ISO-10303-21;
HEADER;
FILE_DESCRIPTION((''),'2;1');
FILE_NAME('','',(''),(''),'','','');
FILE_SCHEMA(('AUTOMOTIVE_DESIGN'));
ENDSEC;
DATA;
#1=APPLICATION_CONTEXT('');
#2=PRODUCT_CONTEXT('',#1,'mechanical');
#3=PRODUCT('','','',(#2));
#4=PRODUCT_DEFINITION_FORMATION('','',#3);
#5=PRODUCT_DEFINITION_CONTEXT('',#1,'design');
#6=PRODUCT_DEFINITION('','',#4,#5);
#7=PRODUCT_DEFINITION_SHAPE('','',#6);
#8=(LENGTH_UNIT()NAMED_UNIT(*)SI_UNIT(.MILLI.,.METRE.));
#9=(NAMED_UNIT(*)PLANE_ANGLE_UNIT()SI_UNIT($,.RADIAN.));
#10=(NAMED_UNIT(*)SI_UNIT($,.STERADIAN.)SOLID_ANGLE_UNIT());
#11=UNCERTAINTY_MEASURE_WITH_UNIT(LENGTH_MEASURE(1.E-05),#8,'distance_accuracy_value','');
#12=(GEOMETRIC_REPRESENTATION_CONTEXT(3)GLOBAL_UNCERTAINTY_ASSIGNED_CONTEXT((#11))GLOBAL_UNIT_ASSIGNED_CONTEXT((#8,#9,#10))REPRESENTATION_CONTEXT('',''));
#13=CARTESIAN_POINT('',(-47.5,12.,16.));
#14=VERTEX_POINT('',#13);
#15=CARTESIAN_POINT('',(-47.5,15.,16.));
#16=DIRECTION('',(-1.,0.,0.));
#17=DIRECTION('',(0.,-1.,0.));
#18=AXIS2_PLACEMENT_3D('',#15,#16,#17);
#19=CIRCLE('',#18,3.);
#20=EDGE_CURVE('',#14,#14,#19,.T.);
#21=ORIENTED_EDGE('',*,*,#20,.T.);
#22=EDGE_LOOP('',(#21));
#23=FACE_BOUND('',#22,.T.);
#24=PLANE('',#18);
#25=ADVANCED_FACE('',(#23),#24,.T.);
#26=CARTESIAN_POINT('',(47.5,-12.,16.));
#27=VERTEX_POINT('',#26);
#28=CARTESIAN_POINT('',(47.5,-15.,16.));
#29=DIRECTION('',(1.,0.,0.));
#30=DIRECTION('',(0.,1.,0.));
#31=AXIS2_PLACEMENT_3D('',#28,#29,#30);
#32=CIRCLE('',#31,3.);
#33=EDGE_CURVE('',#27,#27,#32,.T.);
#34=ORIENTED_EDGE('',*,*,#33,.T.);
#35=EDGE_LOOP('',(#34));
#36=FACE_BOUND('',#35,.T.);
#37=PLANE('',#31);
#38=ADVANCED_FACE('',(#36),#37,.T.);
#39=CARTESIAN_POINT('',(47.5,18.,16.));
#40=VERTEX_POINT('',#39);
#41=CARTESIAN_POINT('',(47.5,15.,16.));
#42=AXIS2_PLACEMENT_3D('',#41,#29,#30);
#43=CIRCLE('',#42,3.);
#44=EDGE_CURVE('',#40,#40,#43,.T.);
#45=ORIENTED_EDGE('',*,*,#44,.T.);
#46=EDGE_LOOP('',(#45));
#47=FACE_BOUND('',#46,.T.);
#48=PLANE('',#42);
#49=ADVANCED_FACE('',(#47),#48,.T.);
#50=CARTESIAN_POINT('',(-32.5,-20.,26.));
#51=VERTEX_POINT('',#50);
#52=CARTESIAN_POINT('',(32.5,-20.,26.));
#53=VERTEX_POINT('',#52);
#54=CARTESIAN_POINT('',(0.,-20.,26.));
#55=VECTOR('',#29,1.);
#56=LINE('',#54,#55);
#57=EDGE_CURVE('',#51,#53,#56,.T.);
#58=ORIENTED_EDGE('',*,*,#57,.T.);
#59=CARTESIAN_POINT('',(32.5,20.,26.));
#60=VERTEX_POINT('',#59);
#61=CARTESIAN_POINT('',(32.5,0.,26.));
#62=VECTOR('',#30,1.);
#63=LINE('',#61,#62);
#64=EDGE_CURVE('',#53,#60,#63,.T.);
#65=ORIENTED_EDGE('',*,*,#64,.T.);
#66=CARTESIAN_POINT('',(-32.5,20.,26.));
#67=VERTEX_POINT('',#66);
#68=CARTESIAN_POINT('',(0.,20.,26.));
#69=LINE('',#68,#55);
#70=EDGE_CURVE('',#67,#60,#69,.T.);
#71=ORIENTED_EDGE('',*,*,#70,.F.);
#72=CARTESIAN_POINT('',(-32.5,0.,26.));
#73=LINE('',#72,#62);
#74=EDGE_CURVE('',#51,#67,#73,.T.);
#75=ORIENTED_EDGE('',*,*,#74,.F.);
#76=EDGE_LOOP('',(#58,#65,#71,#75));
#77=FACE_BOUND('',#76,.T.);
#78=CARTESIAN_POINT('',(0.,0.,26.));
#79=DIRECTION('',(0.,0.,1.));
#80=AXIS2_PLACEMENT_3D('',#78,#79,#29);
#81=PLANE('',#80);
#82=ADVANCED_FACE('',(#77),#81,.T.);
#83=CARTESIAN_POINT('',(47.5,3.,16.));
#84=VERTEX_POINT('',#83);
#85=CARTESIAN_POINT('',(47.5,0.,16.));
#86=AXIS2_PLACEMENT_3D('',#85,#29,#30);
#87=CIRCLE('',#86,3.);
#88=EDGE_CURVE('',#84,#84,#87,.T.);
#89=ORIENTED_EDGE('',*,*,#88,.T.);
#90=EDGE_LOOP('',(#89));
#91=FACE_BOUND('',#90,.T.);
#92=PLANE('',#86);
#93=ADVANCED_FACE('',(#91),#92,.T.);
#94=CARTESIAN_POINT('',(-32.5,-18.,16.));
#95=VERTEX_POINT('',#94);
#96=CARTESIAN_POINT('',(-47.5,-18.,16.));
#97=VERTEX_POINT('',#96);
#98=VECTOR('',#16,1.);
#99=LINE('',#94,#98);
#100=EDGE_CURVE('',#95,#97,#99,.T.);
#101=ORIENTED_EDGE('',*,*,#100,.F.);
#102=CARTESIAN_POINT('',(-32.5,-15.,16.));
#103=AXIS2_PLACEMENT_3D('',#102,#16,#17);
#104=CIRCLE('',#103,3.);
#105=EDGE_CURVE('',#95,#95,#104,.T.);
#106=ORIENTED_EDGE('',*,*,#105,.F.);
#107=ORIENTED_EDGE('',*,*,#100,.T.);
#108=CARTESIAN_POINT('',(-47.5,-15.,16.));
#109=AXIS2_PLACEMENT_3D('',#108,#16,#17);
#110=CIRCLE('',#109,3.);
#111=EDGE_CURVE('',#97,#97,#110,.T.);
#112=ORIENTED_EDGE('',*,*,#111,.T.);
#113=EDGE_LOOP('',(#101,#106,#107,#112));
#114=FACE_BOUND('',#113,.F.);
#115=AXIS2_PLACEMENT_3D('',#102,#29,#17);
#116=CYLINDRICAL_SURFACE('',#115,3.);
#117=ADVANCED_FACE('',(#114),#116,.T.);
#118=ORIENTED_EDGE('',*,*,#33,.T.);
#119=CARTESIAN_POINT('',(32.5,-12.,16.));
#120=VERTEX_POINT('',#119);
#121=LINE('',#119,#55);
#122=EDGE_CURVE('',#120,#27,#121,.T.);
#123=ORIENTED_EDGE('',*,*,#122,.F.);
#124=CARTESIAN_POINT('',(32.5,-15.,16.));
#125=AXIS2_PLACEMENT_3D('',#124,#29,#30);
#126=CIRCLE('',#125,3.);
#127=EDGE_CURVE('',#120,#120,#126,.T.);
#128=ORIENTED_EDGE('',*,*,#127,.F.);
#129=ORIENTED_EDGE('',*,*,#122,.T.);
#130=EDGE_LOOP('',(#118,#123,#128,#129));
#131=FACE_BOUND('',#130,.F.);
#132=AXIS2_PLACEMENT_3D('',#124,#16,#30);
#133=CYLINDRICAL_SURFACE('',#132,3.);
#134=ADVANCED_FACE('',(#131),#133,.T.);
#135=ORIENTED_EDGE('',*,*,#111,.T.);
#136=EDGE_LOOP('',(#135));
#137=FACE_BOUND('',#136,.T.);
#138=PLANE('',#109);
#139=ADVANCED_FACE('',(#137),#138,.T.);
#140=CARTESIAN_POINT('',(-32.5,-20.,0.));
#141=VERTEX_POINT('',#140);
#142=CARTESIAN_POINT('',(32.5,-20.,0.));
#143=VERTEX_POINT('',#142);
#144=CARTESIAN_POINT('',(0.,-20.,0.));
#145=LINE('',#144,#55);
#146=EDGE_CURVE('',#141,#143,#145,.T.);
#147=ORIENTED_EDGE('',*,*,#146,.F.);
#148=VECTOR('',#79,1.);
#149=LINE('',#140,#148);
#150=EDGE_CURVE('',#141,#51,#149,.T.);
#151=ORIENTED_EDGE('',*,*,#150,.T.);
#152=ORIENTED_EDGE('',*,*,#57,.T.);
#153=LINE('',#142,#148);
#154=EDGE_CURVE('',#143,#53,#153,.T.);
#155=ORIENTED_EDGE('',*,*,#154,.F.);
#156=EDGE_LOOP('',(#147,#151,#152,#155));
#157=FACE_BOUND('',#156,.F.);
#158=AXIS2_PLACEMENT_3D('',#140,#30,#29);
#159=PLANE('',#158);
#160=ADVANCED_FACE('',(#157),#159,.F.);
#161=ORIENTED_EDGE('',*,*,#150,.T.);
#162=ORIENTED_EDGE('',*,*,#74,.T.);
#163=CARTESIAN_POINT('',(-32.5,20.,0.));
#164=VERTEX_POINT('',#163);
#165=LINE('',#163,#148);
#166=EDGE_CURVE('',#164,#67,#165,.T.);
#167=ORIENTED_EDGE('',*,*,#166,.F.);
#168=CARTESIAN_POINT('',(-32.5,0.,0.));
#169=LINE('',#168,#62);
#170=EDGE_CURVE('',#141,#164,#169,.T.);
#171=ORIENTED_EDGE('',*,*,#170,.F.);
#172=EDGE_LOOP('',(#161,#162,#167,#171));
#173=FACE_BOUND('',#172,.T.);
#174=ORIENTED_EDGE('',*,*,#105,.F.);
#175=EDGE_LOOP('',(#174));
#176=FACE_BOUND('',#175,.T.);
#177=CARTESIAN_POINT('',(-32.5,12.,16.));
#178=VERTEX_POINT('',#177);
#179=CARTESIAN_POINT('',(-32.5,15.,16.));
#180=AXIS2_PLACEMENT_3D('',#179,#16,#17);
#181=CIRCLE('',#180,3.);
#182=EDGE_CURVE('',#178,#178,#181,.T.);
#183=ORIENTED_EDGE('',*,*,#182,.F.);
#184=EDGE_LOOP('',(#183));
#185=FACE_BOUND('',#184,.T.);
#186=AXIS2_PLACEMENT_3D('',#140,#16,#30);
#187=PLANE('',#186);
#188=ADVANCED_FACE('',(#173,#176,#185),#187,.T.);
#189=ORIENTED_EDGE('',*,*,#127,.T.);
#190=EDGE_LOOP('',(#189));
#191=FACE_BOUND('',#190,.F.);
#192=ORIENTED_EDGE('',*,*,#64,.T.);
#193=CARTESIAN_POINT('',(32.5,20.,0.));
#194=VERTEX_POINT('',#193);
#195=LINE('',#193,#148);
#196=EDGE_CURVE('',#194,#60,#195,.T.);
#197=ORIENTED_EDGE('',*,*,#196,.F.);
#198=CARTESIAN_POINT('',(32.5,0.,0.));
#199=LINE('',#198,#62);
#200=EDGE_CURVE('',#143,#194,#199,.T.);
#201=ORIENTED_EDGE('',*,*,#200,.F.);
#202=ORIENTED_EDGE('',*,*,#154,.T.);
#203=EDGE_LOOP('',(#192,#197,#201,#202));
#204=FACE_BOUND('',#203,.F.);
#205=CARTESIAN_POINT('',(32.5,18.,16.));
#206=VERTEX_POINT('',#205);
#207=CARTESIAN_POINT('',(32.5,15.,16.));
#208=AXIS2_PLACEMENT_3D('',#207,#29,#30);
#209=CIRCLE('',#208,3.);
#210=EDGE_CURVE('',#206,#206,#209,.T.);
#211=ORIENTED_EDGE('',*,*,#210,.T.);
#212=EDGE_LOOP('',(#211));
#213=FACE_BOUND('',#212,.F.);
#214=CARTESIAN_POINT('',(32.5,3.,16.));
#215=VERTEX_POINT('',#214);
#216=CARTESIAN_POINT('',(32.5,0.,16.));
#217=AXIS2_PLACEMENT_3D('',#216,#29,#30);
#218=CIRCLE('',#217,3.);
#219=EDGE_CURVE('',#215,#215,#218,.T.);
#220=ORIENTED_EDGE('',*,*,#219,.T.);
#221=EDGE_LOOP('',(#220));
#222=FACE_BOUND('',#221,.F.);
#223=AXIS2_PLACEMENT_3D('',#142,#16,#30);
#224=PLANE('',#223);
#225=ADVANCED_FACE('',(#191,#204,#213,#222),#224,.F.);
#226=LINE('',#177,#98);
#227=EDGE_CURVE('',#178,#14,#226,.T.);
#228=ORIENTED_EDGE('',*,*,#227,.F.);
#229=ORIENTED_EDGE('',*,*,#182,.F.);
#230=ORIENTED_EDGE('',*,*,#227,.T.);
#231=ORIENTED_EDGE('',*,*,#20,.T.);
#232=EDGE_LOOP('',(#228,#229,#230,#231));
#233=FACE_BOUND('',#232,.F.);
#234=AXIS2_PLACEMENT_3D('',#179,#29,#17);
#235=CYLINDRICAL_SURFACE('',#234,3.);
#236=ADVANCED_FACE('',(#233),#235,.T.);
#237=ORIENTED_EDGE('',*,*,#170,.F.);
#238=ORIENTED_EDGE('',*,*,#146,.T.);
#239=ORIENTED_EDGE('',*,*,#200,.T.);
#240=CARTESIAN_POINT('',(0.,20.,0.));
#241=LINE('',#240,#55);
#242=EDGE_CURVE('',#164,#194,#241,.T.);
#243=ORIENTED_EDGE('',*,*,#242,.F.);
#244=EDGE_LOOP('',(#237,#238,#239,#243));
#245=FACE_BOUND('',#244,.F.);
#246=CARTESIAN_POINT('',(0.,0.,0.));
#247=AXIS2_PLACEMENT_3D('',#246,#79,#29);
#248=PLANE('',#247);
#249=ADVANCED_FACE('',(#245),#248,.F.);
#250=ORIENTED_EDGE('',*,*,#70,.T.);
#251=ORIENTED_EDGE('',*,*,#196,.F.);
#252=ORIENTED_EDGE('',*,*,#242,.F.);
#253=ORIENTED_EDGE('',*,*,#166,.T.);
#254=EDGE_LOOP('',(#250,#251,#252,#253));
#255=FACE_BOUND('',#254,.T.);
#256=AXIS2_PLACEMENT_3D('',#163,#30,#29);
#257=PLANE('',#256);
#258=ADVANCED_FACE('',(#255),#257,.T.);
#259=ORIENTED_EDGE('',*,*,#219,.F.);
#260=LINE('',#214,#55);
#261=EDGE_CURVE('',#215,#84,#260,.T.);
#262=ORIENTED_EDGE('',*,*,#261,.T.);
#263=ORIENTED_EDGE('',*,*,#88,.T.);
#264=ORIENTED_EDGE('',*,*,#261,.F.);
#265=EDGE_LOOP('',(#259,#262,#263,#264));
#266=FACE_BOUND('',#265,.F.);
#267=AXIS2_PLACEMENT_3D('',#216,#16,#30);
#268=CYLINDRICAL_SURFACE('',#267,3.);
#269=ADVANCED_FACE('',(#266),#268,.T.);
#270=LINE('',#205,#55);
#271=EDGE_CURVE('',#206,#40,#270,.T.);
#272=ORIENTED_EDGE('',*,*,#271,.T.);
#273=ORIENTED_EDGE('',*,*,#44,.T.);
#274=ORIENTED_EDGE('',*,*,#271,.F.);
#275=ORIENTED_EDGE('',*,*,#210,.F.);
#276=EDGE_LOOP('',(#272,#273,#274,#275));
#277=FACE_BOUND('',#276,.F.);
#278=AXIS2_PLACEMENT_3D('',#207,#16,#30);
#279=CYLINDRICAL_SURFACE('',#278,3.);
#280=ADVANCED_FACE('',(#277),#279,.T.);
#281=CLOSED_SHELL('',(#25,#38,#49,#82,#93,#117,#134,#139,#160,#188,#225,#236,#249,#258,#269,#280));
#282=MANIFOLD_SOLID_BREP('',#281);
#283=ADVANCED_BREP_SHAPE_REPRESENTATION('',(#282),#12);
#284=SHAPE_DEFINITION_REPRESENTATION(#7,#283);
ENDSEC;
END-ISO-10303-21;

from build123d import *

# Parameters (mm, degrees)
F0_W     = 65
F0_H     = 40
F1_DEPTH = 26
F2_R     = 3
F3_DEPTH = 15
F4_R     = 3
F5_DEPTH = 15


with BuildPart() as f1:
    # F0 (on Top) → F1 (new body)
    with BuildSketch(Plane.XY):
        Rectangle(F0_W, F0_H)
    extrude(amount=F1_DEPTH)

    # F2 (on face) → F3 (join)
    with BuildSketch(Plane.YZ.offset(32.5)):
        with Locations((0, 16)):
            Circle(F2_R)
        with Locations((-15, 16)):
            Circle(F2_R)
        with Locations((15, 16)):
            Circle(F2_R)
    extrude(amount=F3_DEPTH)

    # F4 (on face) → F5 (join)
    with BuildSketch(Plane(origin=(-32.5, 0, 0), x_dir=(0, -1, 0), z_dir=(-1, 0, 0))):
        with Locations((15, 16)):
            Circle(F4_R)
        with Locations((-15, 16)):
            Circle(F4_R)
    extrude(amount=F5_DEPTH)


solid = f1.part
